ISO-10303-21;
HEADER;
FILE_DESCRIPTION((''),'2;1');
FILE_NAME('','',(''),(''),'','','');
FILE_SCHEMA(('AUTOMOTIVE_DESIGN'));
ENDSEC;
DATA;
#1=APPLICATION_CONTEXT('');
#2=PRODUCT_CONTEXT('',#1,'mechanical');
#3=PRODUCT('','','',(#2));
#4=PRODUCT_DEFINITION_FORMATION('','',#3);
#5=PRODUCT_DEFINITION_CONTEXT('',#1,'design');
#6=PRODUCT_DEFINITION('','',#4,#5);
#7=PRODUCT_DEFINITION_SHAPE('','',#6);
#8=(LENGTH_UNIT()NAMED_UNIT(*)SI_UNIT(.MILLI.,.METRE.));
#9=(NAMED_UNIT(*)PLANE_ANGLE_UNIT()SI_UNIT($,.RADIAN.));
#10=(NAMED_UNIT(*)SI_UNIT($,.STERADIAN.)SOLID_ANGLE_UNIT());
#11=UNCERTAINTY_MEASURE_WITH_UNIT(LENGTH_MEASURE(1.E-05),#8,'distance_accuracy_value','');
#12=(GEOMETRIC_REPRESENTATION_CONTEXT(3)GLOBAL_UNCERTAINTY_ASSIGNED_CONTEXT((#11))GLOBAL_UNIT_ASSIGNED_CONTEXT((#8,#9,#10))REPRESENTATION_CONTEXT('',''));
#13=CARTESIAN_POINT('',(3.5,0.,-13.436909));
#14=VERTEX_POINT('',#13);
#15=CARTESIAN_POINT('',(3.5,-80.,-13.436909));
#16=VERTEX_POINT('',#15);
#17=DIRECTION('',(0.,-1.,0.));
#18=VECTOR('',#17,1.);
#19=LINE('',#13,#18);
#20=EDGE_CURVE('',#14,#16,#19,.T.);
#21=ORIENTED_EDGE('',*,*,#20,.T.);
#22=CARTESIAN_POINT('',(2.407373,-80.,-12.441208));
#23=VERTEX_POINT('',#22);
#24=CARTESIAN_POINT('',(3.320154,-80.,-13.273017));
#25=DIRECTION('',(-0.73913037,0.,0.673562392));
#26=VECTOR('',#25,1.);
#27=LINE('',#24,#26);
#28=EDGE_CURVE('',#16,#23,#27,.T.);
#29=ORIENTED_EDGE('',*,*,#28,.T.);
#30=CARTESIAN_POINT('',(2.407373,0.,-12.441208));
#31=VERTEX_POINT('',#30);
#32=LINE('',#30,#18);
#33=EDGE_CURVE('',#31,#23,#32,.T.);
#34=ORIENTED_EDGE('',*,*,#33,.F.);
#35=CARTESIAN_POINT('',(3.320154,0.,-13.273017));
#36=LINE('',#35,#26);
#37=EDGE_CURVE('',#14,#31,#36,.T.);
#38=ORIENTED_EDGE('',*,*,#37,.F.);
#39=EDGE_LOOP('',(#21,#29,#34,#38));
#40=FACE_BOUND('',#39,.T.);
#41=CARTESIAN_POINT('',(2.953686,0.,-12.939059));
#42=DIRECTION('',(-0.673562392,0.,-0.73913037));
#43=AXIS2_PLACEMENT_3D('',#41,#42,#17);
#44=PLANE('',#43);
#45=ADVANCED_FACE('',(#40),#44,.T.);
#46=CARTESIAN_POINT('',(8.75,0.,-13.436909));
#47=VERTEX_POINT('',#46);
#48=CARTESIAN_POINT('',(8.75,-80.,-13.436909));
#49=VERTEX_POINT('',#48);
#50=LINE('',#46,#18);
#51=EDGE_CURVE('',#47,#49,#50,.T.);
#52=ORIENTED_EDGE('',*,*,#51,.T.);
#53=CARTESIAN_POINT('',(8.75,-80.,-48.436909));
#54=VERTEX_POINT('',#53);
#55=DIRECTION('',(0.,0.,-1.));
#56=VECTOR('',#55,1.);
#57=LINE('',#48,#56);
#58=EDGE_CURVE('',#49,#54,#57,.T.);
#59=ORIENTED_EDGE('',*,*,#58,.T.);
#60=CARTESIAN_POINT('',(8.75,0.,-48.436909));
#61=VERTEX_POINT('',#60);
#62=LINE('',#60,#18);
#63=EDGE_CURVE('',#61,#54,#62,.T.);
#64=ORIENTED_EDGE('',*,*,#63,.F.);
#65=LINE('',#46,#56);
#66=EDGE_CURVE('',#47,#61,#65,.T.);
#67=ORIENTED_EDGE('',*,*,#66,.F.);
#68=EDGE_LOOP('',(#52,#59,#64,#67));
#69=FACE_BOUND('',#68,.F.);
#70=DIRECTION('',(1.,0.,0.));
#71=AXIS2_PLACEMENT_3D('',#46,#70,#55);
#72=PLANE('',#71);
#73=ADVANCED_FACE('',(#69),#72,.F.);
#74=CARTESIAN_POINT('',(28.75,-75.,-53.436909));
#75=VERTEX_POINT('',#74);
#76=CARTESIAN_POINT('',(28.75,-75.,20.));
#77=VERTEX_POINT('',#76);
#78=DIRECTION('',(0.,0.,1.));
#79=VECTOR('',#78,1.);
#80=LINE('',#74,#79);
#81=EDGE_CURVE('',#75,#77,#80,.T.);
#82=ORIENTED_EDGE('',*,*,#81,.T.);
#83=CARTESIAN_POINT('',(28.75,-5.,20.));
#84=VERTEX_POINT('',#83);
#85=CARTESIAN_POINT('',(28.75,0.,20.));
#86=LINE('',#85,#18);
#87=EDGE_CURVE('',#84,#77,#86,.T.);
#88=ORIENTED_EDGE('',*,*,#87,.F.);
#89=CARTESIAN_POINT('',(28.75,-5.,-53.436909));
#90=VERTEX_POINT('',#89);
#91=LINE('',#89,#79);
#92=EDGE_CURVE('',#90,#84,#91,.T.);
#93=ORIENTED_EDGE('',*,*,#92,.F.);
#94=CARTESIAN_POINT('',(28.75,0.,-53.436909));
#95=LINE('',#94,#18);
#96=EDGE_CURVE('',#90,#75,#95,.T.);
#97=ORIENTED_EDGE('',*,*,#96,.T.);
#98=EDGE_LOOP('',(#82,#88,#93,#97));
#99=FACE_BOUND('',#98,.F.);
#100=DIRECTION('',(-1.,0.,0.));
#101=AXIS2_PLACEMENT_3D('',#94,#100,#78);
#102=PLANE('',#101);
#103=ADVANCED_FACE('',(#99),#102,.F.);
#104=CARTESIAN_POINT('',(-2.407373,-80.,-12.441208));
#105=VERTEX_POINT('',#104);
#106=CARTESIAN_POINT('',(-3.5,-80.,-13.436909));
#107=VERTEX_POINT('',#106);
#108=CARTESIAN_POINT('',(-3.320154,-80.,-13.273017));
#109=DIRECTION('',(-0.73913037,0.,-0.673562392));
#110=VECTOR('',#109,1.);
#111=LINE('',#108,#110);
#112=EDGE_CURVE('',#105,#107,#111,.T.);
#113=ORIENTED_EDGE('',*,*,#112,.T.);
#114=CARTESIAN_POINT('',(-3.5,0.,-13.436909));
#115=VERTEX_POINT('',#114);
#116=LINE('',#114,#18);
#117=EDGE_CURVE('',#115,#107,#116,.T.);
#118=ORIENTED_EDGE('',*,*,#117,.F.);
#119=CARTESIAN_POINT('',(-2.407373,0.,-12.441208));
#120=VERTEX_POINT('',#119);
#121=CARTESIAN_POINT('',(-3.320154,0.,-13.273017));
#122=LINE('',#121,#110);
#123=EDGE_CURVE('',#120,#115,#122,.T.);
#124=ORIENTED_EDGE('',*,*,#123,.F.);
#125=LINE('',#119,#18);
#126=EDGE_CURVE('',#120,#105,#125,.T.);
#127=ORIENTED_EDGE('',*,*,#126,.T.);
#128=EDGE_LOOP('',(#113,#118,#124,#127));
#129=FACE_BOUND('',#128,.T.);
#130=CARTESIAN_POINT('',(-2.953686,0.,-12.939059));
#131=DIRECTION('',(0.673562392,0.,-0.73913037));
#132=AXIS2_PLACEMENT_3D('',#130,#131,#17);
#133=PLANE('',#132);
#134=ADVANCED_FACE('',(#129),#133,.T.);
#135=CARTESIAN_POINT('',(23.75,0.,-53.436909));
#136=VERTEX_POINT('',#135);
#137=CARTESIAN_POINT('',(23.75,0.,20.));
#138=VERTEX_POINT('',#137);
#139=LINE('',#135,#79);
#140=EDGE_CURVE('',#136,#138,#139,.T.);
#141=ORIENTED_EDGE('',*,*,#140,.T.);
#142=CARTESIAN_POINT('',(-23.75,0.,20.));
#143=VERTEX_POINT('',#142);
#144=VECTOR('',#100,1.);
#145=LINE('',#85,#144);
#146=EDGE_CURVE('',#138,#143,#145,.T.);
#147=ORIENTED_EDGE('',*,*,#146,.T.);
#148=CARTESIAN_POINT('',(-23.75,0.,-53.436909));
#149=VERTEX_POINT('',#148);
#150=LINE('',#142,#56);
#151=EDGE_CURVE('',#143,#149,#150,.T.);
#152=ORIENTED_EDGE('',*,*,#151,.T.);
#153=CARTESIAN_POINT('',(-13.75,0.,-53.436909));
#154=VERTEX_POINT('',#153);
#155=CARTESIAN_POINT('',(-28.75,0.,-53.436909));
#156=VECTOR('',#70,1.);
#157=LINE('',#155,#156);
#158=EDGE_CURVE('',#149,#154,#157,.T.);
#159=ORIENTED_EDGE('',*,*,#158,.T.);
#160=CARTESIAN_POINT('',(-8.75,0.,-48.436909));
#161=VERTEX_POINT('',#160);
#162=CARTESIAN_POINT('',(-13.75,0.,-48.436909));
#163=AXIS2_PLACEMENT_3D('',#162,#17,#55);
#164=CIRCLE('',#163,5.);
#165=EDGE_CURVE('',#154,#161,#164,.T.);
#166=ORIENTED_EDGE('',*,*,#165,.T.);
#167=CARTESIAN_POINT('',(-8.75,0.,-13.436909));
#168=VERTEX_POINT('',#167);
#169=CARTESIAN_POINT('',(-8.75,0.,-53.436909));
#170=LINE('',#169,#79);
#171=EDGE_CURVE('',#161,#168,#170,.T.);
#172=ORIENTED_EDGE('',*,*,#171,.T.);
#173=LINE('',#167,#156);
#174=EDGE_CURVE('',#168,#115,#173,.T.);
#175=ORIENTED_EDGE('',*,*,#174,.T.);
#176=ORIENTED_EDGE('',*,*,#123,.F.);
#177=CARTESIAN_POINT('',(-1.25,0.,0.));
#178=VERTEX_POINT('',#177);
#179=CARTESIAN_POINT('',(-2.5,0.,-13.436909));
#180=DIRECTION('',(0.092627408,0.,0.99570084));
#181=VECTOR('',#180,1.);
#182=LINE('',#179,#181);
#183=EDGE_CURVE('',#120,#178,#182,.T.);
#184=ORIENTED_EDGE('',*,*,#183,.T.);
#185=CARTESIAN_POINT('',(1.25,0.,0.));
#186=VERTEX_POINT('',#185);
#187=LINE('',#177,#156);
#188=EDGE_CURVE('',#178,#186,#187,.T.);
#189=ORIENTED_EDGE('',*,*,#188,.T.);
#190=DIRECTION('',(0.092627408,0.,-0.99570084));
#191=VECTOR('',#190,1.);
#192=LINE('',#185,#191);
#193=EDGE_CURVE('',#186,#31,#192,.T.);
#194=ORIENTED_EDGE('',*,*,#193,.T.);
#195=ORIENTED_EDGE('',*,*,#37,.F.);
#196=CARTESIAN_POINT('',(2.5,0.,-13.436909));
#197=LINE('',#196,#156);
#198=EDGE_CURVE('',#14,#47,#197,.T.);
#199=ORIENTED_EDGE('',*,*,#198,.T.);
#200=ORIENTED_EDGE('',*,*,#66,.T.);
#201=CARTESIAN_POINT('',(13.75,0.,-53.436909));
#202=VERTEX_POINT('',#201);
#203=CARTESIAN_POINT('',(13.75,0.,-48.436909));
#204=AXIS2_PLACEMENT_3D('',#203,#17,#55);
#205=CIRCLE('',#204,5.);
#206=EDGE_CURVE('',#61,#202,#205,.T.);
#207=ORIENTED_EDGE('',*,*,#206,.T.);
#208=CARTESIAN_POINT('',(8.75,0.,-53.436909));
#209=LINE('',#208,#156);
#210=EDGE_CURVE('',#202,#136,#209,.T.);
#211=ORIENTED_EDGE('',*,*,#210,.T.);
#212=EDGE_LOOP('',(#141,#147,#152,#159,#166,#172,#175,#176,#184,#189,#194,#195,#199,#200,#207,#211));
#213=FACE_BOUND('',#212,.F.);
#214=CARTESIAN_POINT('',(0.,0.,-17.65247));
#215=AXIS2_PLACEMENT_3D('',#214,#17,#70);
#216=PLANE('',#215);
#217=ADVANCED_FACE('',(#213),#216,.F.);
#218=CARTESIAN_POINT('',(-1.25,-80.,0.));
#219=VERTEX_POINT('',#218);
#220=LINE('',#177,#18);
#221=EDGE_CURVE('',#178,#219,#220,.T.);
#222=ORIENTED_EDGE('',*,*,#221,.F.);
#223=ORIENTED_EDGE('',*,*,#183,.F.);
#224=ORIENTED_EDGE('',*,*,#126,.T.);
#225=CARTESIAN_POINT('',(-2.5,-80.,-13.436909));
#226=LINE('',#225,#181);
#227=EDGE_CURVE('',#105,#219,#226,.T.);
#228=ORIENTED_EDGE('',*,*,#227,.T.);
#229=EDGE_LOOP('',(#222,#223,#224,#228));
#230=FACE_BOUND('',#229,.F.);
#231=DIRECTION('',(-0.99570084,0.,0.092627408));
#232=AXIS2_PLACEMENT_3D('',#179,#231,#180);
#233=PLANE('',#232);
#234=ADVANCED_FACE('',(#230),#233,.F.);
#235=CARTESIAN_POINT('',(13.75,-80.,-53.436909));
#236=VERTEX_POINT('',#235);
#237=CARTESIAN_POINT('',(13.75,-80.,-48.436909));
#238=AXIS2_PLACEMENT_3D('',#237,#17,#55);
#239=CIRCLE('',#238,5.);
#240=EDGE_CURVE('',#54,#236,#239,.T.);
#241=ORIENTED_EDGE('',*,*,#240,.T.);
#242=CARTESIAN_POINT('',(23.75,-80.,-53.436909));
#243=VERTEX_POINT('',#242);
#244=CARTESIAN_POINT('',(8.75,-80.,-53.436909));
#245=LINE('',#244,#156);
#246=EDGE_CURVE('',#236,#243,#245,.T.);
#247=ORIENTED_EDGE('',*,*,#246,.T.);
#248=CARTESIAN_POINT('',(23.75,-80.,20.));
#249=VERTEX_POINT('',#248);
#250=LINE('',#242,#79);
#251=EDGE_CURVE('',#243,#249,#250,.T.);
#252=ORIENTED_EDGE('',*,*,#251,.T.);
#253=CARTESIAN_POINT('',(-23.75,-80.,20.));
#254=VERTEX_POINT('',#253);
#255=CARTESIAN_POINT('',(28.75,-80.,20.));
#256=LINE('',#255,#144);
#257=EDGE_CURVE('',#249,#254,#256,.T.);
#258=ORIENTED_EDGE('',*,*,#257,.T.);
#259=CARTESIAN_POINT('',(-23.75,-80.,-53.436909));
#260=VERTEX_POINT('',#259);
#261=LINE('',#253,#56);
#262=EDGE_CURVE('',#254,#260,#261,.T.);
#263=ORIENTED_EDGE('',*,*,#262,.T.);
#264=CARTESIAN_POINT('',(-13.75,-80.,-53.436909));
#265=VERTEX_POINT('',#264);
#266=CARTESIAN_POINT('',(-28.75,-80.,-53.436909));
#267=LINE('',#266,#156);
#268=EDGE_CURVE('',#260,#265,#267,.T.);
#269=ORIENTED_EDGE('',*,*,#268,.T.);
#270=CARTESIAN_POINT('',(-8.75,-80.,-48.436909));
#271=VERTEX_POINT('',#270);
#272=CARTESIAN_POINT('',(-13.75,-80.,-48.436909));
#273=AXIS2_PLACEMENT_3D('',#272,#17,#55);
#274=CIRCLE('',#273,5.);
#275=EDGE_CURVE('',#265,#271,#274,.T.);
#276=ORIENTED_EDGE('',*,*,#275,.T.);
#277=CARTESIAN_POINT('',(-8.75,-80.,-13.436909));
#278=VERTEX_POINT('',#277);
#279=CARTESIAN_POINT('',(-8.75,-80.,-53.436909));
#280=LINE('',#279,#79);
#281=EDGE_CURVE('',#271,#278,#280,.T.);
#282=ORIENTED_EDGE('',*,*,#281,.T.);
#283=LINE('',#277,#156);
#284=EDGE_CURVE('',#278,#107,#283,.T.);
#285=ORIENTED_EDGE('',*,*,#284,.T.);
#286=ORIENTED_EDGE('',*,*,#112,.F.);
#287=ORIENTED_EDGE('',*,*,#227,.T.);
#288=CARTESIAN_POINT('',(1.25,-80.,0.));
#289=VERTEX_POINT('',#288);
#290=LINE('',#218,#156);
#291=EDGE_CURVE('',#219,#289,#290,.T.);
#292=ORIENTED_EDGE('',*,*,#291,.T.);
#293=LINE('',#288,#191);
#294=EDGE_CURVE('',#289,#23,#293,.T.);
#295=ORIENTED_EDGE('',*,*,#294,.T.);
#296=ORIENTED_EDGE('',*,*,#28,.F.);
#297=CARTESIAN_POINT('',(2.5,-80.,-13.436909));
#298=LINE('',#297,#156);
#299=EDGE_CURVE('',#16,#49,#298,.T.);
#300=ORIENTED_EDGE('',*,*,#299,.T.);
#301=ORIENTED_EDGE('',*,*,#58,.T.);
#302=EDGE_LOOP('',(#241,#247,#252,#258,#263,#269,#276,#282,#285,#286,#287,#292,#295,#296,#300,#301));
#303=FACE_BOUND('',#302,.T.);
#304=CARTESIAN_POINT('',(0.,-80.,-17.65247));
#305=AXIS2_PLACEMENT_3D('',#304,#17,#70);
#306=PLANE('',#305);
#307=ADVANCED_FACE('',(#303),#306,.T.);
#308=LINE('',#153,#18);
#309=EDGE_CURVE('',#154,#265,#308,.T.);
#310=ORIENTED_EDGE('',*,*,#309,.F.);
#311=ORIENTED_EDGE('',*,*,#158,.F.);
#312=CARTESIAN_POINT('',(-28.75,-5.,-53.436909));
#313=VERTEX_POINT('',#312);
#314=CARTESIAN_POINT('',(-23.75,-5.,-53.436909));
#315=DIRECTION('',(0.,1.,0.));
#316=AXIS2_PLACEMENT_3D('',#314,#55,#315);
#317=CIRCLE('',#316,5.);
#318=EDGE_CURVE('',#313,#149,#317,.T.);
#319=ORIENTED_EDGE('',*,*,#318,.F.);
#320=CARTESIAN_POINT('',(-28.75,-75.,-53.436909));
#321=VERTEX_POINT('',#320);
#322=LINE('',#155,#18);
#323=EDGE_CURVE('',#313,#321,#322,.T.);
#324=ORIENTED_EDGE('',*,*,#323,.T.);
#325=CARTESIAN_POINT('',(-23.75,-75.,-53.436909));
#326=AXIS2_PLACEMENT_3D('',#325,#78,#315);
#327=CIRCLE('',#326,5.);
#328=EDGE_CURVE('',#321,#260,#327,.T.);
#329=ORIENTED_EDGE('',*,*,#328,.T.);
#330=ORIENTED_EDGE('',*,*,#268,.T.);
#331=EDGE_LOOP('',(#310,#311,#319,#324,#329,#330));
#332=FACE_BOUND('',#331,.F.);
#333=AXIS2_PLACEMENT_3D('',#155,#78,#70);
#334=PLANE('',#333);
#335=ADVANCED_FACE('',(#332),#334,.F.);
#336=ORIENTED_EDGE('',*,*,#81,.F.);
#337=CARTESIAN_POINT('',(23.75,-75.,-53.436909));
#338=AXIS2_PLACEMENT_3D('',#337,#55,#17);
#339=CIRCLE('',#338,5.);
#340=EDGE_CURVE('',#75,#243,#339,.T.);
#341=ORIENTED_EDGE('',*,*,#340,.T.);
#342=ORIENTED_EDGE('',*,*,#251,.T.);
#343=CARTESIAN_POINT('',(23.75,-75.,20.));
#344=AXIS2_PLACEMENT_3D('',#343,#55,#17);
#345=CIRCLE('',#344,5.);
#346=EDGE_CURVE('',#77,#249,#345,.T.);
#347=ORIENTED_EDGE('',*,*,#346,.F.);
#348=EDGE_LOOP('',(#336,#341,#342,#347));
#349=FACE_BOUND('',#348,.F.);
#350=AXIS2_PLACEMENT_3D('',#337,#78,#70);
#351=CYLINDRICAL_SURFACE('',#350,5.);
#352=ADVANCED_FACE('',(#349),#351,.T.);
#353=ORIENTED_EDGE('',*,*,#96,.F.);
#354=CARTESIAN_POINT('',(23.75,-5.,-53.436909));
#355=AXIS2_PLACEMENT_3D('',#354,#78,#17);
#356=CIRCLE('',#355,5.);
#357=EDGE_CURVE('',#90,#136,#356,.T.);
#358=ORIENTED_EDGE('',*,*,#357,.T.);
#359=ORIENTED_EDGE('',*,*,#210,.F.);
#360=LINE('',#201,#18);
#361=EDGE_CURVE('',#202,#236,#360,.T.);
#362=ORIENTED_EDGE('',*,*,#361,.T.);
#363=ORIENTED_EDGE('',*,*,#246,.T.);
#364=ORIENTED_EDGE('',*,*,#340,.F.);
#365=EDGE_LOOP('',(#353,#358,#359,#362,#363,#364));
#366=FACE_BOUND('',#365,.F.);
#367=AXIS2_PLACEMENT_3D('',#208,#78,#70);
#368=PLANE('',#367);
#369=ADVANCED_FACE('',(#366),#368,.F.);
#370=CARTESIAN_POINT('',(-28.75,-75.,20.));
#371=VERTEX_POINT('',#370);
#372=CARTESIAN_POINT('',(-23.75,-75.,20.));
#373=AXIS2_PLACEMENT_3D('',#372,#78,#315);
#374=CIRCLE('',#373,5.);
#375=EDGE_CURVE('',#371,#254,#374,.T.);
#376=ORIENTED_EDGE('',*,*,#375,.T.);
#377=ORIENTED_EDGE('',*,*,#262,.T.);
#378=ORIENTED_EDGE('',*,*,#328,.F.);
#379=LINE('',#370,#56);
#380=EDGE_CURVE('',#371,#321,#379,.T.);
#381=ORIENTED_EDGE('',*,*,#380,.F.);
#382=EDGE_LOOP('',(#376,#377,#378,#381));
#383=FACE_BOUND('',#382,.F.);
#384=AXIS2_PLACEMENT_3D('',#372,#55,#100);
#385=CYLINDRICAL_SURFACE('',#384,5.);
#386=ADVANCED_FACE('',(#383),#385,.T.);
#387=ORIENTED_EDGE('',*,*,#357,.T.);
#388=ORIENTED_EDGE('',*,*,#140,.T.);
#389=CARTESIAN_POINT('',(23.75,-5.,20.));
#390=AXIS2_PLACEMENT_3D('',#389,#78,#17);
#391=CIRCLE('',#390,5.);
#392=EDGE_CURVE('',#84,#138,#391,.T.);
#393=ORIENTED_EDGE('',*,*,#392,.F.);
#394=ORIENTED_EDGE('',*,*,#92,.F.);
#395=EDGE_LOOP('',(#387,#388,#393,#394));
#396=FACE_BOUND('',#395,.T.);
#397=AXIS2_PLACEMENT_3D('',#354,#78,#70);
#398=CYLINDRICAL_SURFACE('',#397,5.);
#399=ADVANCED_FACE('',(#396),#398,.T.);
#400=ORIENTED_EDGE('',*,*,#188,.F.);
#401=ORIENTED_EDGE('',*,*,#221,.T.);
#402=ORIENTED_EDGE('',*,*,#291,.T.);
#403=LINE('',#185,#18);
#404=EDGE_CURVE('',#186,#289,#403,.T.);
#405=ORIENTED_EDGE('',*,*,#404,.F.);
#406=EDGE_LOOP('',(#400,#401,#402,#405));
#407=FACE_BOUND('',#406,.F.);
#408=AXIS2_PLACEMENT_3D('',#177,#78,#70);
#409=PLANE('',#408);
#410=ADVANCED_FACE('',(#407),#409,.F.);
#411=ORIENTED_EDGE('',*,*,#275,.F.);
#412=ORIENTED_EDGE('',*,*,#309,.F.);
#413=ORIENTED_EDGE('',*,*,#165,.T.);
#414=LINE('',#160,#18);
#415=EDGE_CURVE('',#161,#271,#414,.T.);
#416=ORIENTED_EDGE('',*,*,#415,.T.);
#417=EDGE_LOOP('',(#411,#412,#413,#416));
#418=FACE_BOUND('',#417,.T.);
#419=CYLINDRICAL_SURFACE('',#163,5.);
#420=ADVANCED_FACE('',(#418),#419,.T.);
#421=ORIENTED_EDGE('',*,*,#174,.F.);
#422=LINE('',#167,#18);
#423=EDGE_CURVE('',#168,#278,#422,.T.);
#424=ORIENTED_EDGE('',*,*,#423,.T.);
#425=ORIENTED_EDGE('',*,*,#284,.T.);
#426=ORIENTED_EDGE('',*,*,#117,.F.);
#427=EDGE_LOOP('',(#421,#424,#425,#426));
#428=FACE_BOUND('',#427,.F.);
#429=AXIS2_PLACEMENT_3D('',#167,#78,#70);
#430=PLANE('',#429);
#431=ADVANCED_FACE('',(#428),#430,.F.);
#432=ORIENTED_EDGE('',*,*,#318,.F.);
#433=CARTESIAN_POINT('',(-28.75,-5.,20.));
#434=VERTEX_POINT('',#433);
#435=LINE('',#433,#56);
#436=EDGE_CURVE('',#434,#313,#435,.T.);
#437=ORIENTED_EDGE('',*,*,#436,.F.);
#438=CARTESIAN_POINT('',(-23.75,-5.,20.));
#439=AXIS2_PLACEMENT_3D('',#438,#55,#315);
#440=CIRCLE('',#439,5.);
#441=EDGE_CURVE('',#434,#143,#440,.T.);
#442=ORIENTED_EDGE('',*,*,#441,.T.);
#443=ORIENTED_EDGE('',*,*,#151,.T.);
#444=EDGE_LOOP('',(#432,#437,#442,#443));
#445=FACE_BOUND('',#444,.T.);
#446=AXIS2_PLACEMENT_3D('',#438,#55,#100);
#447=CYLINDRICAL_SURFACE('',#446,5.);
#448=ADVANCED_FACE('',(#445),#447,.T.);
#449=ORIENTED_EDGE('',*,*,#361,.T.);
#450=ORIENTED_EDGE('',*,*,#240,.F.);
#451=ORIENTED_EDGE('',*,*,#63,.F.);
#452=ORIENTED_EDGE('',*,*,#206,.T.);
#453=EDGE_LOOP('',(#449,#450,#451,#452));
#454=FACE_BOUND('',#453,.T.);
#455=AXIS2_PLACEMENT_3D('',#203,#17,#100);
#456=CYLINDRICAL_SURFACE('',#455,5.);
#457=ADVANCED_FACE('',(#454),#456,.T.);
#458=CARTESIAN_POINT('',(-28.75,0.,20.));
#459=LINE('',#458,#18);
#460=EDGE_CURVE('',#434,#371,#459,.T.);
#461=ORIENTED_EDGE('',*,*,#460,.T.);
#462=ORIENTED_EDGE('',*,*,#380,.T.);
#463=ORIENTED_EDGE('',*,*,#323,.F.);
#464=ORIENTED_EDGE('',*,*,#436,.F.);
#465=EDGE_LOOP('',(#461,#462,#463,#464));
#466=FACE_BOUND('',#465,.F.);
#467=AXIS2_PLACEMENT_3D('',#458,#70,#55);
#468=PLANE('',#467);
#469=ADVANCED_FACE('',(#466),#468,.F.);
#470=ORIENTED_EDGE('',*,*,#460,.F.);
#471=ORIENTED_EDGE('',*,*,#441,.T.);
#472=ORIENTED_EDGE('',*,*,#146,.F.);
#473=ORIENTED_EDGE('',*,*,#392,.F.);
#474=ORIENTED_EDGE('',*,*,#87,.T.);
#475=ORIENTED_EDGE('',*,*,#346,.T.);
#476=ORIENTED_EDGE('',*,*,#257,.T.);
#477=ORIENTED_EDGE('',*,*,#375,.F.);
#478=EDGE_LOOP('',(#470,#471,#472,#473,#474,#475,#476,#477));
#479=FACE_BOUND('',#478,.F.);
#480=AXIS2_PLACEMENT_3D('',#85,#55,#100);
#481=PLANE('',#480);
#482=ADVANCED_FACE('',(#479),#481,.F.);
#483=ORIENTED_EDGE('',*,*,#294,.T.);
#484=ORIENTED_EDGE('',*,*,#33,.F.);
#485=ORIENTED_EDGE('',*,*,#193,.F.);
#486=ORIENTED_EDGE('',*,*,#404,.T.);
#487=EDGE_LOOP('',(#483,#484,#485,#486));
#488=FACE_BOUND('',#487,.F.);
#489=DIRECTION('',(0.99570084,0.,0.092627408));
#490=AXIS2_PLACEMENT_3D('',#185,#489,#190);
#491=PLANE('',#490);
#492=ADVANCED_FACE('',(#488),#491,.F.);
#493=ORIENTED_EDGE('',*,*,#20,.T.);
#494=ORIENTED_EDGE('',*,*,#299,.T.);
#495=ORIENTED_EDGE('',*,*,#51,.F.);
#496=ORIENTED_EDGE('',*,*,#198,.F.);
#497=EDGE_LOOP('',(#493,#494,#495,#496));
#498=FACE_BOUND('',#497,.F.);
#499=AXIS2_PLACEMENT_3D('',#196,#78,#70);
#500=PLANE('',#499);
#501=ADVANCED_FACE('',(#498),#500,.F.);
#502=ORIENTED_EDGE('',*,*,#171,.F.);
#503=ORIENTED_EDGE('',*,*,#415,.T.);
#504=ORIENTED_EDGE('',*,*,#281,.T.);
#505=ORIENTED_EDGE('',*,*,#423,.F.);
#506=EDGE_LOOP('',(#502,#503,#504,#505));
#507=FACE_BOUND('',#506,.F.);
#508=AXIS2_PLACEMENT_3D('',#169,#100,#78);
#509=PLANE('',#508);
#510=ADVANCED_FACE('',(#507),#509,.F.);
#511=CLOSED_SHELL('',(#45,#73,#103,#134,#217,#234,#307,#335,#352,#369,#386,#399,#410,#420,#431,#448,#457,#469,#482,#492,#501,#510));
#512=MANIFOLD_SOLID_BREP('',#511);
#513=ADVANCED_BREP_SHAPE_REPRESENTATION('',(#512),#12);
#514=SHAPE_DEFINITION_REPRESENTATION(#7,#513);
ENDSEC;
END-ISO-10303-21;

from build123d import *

# Parameters (mm, degrees)
F1_DEPTH = 80
F2_R     = 5
F3_SIZE  = 1


with BuildPart() as f1:
    # F0 (on Front) → F1 (new body)
    with BuildSketch(Plane.XZ):
        Polygon((-1.25, 0), (0, 0), (1.25, 0), (2.5, -13.436909), (8.75, -13.436909), (8.75, -53.436909), (28.75, -53.436909), (28.75, 6.563091), (28.75, 20), (19.475808, 20), (0, 20), (-19.475808, 20), (-28.75, 20), (-28.75, 6.563091), (-28.75, -53.436909), (-8.75, -53.436909), (-8.75, -13.436909), (-2.5, -13.436909), align=None)
    extrude(amount=F1_DEPTH)

    # F2
    f2_edges = [f1.edges().sort_by_distance(p)[0] for p in [
        (28.75, -80, -16.718455),
        (-28.75, -80, -16.718455),
        (28.75, 0, -16.718455),
        (-8.75, -40, -53.436909),
        (8.75, -40, -53.436909),
        (-28.75, 0, -16.718455),
    ]]
    fillet(f2_edges, radius=F2_R)

    # F3
    f3_edges = [f1.edges().sort_by_distance(p)[0] for p in [
        (2.5, -40, -13.436909),
        (-2.5, -40, -13.436909),
    ]]
    chamfer(f3_edges, length=F3_SIZE)


solid = f1.part
